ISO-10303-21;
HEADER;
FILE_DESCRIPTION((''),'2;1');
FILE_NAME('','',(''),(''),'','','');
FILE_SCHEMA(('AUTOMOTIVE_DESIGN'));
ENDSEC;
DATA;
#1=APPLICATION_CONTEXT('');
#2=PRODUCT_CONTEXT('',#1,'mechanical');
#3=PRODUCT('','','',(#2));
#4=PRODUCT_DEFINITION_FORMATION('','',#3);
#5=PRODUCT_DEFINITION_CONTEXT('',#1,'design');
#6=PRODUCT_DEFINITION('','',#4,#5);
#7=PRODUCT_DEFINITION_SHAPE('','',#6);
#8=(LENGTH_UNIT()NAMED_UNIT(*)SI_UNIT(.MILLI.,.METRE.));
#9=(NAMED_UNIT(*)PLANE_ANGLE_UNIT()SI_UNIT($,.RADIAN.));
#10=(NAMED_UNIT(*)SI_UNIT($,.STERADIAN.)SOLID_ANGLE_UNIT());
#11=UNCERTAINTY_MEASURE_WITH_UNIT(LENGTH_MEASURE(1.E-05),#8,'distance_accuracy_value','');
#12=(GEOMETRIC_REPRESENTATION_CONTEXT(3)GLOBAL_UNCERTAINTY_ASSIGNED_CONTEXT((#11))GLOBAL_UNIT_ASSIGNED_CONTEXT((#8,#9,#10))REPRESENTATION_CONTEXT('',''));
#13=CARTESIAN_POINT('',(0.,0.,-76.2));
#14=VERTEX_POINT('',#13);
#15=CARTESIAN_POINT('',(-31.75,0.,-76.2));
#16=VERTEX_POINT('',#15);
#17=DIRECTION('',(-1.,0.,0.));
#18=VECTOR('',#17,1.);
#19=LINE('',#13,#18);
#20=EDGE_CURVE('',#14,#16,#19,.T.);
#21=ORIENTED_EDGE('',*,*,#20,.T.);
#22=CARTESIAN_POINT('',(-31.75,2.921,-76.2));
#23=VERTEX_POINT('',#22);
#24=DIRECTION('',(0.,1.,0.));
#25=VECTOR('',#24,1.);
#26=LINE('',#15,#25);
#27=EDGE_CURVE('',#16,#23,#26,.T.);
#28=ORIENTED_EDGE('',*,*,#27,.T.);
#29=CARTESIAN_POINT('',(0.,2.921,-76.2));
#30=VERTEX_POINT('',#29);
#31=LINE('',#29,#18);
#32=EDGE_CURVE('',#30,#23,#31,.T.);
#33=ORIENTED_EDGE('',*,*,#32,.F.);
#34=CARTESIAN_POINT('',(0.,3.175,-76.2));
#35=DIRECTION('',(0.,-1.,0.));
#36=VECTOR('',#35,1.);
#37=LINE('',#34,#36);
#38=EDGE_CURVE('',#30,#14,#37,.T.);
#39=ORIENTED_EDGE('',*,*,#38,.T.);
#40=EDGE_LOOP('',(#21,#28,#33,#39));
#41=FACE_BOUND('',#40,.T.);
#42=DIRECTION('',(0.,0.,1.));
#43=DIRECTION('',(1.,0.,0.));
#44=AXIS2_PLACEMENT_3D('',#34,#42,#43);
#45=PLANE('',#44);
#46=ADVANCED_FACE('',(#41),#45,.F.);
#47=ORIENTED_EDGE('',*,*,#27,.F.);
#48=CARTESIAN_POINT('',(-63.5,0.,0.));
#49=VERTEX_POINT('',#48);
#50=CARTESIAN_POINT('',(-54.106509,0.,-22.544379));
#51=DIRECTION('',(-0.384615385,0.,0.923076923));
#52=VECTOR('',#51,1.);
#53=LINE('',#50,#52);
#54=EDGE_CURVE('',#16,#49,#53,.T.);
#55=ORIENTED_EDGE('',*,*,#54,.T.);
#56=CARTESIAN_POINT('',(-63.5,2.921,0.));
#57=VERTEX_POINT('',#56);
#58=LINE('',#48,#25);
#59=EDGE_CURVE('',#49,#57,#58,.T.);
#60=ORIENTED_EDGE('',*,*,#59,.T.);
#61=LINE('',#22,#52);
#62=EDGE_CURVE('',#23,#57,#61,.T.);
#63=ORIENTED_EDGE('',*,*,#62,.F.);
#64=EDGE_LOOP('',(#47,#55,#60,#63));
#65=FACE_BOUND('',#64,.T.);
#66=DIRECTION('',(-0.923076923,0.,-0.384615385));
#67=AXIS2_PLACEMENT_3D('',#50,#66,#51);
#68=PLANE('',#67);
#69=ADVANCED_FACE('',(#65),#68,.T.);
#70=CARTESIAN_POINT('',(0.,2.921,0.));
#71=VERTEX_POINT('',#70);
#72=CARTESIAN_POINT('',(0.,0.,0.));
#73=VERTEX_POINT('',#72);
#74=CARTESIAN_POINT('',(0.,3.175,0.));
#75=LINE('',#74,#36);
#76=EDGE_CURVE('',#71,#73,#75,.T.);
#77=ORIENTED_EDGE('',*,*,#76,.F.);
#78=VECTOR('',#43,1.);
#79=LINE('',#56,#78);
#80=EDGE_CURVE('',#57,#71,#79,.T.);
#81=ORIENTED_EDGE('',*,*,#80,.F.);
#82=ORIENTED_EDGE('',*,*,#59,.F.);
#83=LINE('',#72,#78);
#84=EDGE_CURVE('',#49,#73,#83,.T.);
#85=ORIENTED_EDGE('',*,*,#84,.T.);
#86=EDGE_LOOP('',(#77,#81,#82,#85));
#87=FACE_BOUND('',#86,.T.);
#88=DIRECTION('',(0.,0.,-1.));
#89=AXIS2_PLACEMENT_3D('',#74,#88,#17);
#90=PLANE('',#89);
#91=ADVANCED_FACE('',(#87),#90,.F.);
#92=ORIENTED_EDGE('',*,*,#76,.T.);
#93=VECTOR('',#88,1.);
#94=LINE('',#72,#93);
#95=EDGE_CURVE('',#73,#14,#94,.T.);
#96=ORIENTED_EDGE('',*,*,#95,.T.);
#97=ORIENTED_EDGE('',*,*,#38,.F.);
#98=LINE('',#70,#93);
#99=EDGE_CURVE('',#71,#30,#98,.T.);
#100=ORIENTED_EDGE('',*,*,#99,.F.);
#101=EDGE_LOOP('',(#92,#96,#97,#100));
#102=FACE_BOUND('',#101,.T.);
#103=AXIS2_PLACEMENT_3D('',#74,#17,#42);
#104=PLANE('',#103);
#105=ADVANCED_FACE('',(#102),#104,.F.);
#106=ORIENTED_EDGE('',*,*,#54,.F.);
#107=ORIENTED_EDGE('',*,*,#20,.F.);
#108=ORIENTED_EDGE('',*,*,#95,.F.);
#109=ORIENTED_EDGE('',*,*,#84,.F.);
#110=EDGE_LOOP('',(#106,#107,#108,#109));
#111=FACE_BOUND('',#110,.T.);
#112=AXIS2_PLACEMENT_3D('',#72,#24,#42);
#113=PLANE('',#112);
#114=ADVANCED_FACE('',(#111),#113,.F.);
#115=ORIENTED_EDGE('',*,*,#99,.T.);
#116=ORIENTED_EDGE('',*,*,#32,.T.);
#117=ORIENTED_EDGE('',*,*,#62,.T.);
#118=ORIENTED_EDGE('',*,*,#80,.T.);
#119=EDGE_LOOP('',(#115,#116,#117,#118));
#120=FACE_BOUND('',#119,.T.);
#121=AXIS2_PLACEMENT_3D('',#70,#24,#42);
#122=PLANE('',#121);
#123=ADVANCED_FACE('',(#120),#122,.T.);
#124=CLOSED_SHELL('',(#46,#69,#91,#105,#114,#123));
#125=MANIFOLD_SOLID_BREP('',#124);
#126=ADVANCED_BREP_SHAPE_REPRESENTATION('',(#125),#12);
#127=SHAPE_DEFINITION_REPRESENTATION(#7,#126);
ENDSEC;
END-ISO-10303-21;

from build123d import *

# Parameters (mm, degrees)
SKETCH1_W           = 304.8
SKETCH1_H           = 76.2
BOSS_EXTRUDE1_DEPTH = 3.175
CUT_EXTRUDE3_DEPTH  = 0.254
CUT_EXTRUDE5_DEPTH  = 0.254
SKETCH3_3_OUTSIDE_W = 369.64
SKETCH3_3_OUTSIDE_H = 141.04
CUT_EXTRUDE9_DEPTH  = 315.196691105


with BuildPart() as part:
    # Sketch1 → Boss-Extrude1 (new body)
    with BuildSketch(Plane(origin=(0, 0, 0), x_dir=(1, 0, 0), z_dir=(0, 1, 0))):
        with Locations((-152.4, 38.1)):
            Rectangle(SKETCH1_W, SKETCH1_H)
    extrude(amount=BOSS_EXTRUDE1_DEPTH)

    # Sketch2 → Cut-Extrude3 (cut)
    with BuildSketch(Plane(origin=(0, 3.175, 0), x_dir=(1, 0, 0), z_dir=(0, 1, 0))):
        with BuildLine():
            Line((-304.8, 5.132354223), (-304.8, 0.390438323))
            add(Edge.make_bspline(
                [(-304.8, 0.390438323), (-303.821243343, 0.22923291), (-302.632591032, 0.100235841), (-301.136713645, 0)],
                knots=[0.767987957, 0.767987957, 0.767987957, 0.767987957, 1, 1, 1, 1], degree=3))
            Line((-301.136713645, 0), (-217.379871236, 0))
            add(Edge.make_bspline(
                [(-215.9, 0.210253502), (-216.602591478, 0.075926224), (-217.379871236, 0)],
                knots=[0.882956558, 0.882956558, 0.882956558, 1, 1, 1], degree=2))
            Line((-215.9, 0.210253502), (-215.9, 6.35))
            add(Edge.make_bspline(
                [(-304.8, 5.132354223), (-295.056068779, 7.913424716), (-284.63514545, 9.175759011), (-256.65451685, 7.910717471), (-231.983718042, 8.039058457), (-215.9, 6.35)],
                knots=[0.033341876, 0.033341876, 0.033341876, 0.033341876, 0.196819423, 0.285044024, 0.915587883, 0.915587883, 0.915587883, 0.915587883], degree=3))
        make_face()
        with BuildLine():
            Line((-304.748193138, 14.319973849), (-304.748193138, 9.578057948))
            add(Edge.make_bspline(
                [(-304.748193138, 9.578057948), (-303.76943648, 9.416852535), (-302.58078417, 9.287855466), (-301.084906782, 9.187619625)],
                knots=[0.767987957, 0.767987957, 0.767987957, 0.767987957, 1, 1, 1, 1], degree=3))
            Line((-301.084906782, 9.187619625), (-217.328064374, 9.187619625))
            add(Edge.make_bspline(
                [(-215.848193138, 9.397873128), (-216.550784616, 9.263545849), (-217.328064374, 9.187619625)],
                knots=[0.882956558, 0.882956558, 0.882956558, 1, 1, 1], degree=2))
            Line((-215.848193138, 9.397873128), (-215.848193138, 15.537619625))
            add(Edge.make_bspline(
                [(-304.748193138, 14.319973849), (-295.004261916, 17.101044341), (-284.583338588, 18.363378636), (-256.602709988, 17.098337097), (-231.93191118, 17.226678082), (-215.848193138, 15.537619625)],
                knots=[0.033341876, 0.033341876, 0.033341876, 0.033341876, 0.196819423, 0.285044024, 0.915587883, 0.915587883, 0.915587883, 0.915587883], degree=3))
        make_face()
        with BuildLine():
            Line((-304.77561062, 23.435546339), (-304.77561062, 18.693630439))
            add(Edge.make_bspline(
                [(-304.77561062, 18.693630439), (-303.796853962, 18.532425025), (-302.608201652, 18.403427957), (-301.112324264, 18.303192116)],
                knots=[0.767987957, 0.767987957, 0.767987957, 0.767987957, 1, 1, 1, 1], degree=3))
            Line((-301.112324264, 18.303192116), (-217.355481855, 18.303192116))
            add(Edge.make_bspline(
                [(-215.87561062, 18.513445618), (-216.578202097, 18.37911834), (-217.355481855, 18.303192116)],
                knots=[0.882956558, 0.882956558, 0.882956558, 1, 1, 1], degree=2))
            Line((-215.87561062, 18.513445618), (-215.87561062, 24.653192116))
            add(Edge.make_bspline(
                [(-304.77561062, 23.435546339), (-295.031679398, 26.216616832), (-284.61075607, 27.478951126), (-256.63012747, 26.213909587), (-231.959328661, 26.342250572), (-215.87561062, 24.653192116)],
                knots=[0.033341876, 0.033341876, 0.033341876, 0.033341876, 0.196819423, 0.285044024, 0.915587883, 0.915587883, 0.915587883, 0.915587883], degree=3))
        make_face()
        with BuildLine():
            Line((-304.723803757, 32.623165964), (-304.723803757, 27.881250064))
            add(Edge.make_bspline(
                [(-304.723803757, 27.881250064), (-303.7450471, 27.720044651), (-302.55639479, 27.591047582), (-301.060517402, 27.490811741)],
                knots=[0.767987957, 0.767987957, 0.767987957, 0.767987957, 1, 1, 1, 1], degree=3))
            Line((-301.060517402, 27.490811741), (-217.303674993, 27.490811741))
            add(Edge.make_bspline(
                [(-215.823803757, 27.701065244), (-216.526395235, 27.566737965), (-217.303674993, 27.490811741)],
                knots=[0.882956558, 0.882956558, 0.882956558, 1, 1, 1], degree=2))
            Line((-215.823803757, 27.701065244), (-215.823803757, 33.840811741))
            add(Edge.make_bspline(
                [(-304.723803757, 32.623165964), (-294.979872536, 35.404236457), (-284.558949208, 36.666570752), (-256.578320608, 35.401529213), (-231.907521799, 35.529870198), (-215.823803757, 33.840811741)],
                knots=[0.033341876, 0.033341876, 0.033341876, 0.033341876, 0.196819423, 0.285044024, 0.915587883, 0.915587883, 0.915587883, 0.915587883], degree=3))
        make_face()
        with BuildLine():
            Line((-304.692120731, 41.752034592), (-304.692120731, 37.010118692))
            add(Edge.make_bspline(
                [(-304.692120731, 37.010118692), (-303.713364073, 36.848913278), (-302.524711763, 36.71991621), (-301.028834375, 36.619680369)],
                knots=[0.767987957, 0.767987957, 0.767987957, 0.767987957, 1, 1, 1, 1], degree=3))
            Line((-301.028834375, 36.619680369), (-217.271991966, 36.619680369))
            add(Edge.make_bspline(
                [(-215.792120731, 36.829933871), (-216.494712209, 36.695606593), (-217.271991966, 36.619680369)],
                knots=[0.882956558, 0.882956558, 0.882956558, 1, 1, 1], degree=2))
            Line((-215.792120731, 36.829933871), (-215.792120731, 42.969680369))
            add(Edge.make_bspline(
                [(-304.692120731, 41.752034592), (-294.948189509, 44.533105085), (-284.527266181, 45.795439379), (-256.546637581, 44.53039784), (-231.875838773, 44.658738825), (-215.792120731, 42.969680369)],
                knots=[0.033341876, 0.033341876, 0.033341876, 0.033341876, 0.196819423, 0.285044024, 0.915587883, 0.915587883, 0.915587883, 0.915587883], degree=3))
        make_face()
        with BuildLine():
            Line((-304.640313869, 50.939654217), (-304.640313869, 46.197738317))
            add(Edge.make_bspline(
                [(-304.640313869, 46.197738317), (-303.661557211, 46.036532904), (-302.472904901, 45.907535835), (-300.977027513, 45.807299994)],
                knots=[0.767987957, 0.767987957, 0.767987957, 0.767987957, 1, 1, 1, 1], degree=3))
            Line((-300.977027513, 45.807299994), (-217.220185104, 45.807299994))
            add(Edge.make_bspline(
                [(-215.740313869, 46.017553497), (-216.442905346, 45.883226218), (-217.220185104, 45.807299994)],
                knots=[0.882956558, 0.882956558, 0.882956558, 1, 1, 1], degree=2))
            Line((-215.740313869, 46.017553497), (-215.740313869, 52.157299994))
            add(Edge.make_bspline(
                [(-304.640313869, 50.939654217), (-294.896382647, 53.72072471), (-284.475459319, 54.983059005), (-256.494830719, 53.718017466), (-231.82403191, 53.846358451), (-215.740313869, 52.157299994)],
                knots=[0.033341876, 0.033341876, 0.033341876, 0.033341876, 0.196819423, 0.285044024, 0.915587883, 0.915587883, 0.915587883, 0.915587883], degree=3))
        make_face()
        with BuildLine():
            Line((-304.66773135, 60.055226708), (-304.66773135, 55.313310807))
            add(Edge.make_bspline(
                [(-304.66773135, 55.313310807), (-303.688974693, 55.152105394), (-302.500322383, 55.023108326), (-301.004444995, 54.922872485)],
                knots=[0.767987957, 0.767987957, 0.767987957, 0.767987957, 1, 1, 1, 1], degree=3))
            Line((-301.004444995, 54.922872485), (-217.247602586, 54.922872485))
            add(Edge.make_bspline(
                [(-215.76773135, 55.133125987), (-216.470322828, 54.998798708), (-217.247602586, 54.922872485)],
                knots=[0.882956558, 0.882956558, 0.882956558, 1, 1, 1], degree=2))
            Line((-215.76773135, 55.133125987), (-215.76773135, 61.272872485))
            add(Edge.make_bspline(
                [(-304.66773135, 60.055226708), (-294.923800129, 62.836297201), (-284.502876801, 64.098631495), (-256.522248201, 62.833589956), (-231.851449392, 62.961930941), (-215.76773135, 61.272872485)],
                knots=[0.033341876, 0.033341876, 0.033341876, 0.033341876, 0.196819423, 0.285044024, 0.915587883, 0.915587883, 0.915587883, 0.915587883], degree=3))
        make_face()
        with BuildLine():
            Line((-304.615924488, 69.242846333), (-304.615924488, 64.500930433))
            add(Edge.make_bspline(
                [(-304.615924488, 64.500930433), (-303.637167831, 64.33972502), (-302.448515521, 64.210727951), (-300.952638133, 64.11049211)],
                knots=[0.767987957, 0.767987957, 0.767987957, 0.767987957, 1, 1, 1, 1], degree=3))
            Line((-300.952638133, 64.11049211), (-217.195795724, 64.11049211))
            add(Edge.make_bspline(
                [(-215.715924488, 64.320745612), (-216.418515966, 64.186418334), (-217.195795724, 64.11049211)],
                knots=[0.882956558, 0.882956558, 0.882956558, 1, 1, 1], degree=2))
            Line((-215.715924488, 64.320745612), (-215.715924488, 70.46049211))
            add(Edge.make_bspline(
                [(-304.615924488, 69.242846333), (-294.871993267, 72.023916826), (-284.451069938, 73.286251121), (-256.470441339, 72.021209581), (-231.79964253, 72.149550567), (-215.715924488, 70.46049211)],
                knots=[0.033341876, 0.033341876, 0.033341876, 0.033341876, 0.196819423, 0.285044024, 0.915587883, 0.915587883, 0.915587883, 0.915587883], degree=3))
        make_face()
        with BuildLine():
            Line((-215.183865707, 5.315478387), (-215.183865707, 0.573562486))
            add(Edge.make_bspline(
                [(-215.183865707, 0.573562486), (-214.20510905, 0.412357073), (-213.01645674, 0.283360005), (-211.520579352, 0.183124164)],
                knots=[0.767987957, 0.767987957, 0.767987957, 0.767987957, 1, 1, 1, 1], degree=3))
            Line((-211.520579352, 0.183124164), (-127.763736943, 0.183124164))
            add(Edge.make_bspline(
                [(-126.283865707, 0.393377666), (-126.986457185, 0.259050387), (-127.763736943, 0.183124164)],
                knots=[0.882956558, 0.882956558, 0.882956558, 1, 1, 1], degree=2))
            Line((-126.283865707, 0.393377666), (-126.283865707, 6.533124164))
            add(Edge.make_bspline(
                [(-215.183865707, 5.315478387), (-205.439934486, 8.09654888), (-195.019011157, 9.358883174), (-167.038382558, 8.093841635), (-142.367583749, 8.22218262), (-126.283865707, 6.533124164)],
                knots=[0.033341876, 0.033341876, 0.033341876, 0.033341876, 0.196819423, 0.285044024, 0.915587883, 0.915587883, 0.915587883, 0.915587883], degree=3))
        make_face()
        with BuildLine():
            Line((-215.132058845, 14.503098012), (-215.132058845, 9.761182112))
            add(Edge.make_bspline(
                [(-215.132058845, 9.761182112), (-214.153302188, 9.599976698), (-212.964649877, 9.47097963), (-211.46877249, 9.370743789)],
                knots=[0.767987957, 0.767987957, 0.767987957, 0.767987957, 1, 1, 1, 1], degree=3))
            Line((-211.46877249, 9.370743789), (-127.711930081, 9.370743789))
            add(Edge.make_bspline(
                [(-126.232058845, 9.580997291), (-126.934650323, 9.446670013), (-127.711930081, 9.370743789)],
                knots=[0.882956558, 0.882956558, 0.882956558, 1, 1, 1], degree=2))
            Line((-126.232058845, 9.580997291), (-126.232058845, 15.720743789))
            add(Edge.make_bspline(
                [(-215.132058845, 14.503098012), (-205.388127624, 17.284168505), (-194.967204295, 18.546502799), (-166.986575695, 17.28146126), (-142.315776887, 17.409802246), (-126.232058845, 15.720743789)],
                knots=[0.033341876, 0.033341876, 0.033341876, 0.033341876, 0.196819423, 0.285044024, 0.915587883, 0.915587883, 0.915587883, 0.915587883], degree=3))
        make_face()
        with BuildLine():
            Line((-215.159476327, 23.618670503), (-215.159476327, 18.876754602))
            add(Edge.make_bspline(
                [(-215.159476327, 18.876754602), (-214.180719669, 18.715549189), (-212.992067359, 18.58655212), (-211.496189971, 18.486316279)],
                knots=[0.767987957, 0.767987957, 0.767987957, 0.767987957, 1, 1, 1, 1], degree=3))
            Line((-211.496189971, 18.486316279), (-127.739347562, 18.486316279))
            add(Edge.make_bspline(
                [(-126.259476327, 18.696569782), (-126.962067804, 18.562242503), (-127.739347562, 18.486316279)],
                knots=[0.882956558, 0.882956558, 0.882956558, 1, 1, 1], degree=2))
            Line((-126.259476327, 18.696569782), (-126.259476327, 24.836316279))
            add(Edge.make_bspline(
                [(-215.159476327, 23.618670503), (-205.415545105, 26.399740996), (-194.994621777, 27.66207529), (-167.013993177, 26.397033751), (-142.343194369, 26.525374736), (-126.259476327, 24.836316279)],
                knots=[0.033341876, 0.033341876, 0.033341876, 0.033341876, 0.196819423, 0.285044024, 0.915587883, 0.915587883, 0.915587883, 0.915587883], degree=3))
        make_face()
        with BuildLine():
            Line((-215.107669465, 32.806290128), (-215.107669465, 28.064374228))
            add(Edge.make_bspline(
                [(-215.107669465, 28.064374228), (-214.128912807, 27.903168814), (-212.940260497, 27.774171746), (-211.444383109, 27.673935905)],
                knots=[0.767987957, 0.767987957, 0.767987957, 0.767987957, 1, 1, 1, 1], degree=3))
            Line((-211.444383109, 27.673935905), (-127.6875407, 27.673935905))
            add(Edge.make_bspline(
                [(-126.207669465, 27.884189407), (-126.910260942, 27.749862129), (-127.6875407, 27.673935905)],
                knots=[0.882956558, 0.882956558, 0.882956558, 1, 1, 1], degree=2))
            Line((-126.207669465, 27.884189407), (-126.207669465, 34.023935905))
            add(Edge.make_bspline(
                [(-215.107669465, 32.806290128), (-205.363738243, 35.587360621), (-194.942814915, 36.849694915), (-166.962186315, 35.584653376), (-142.291387506, 35.712994361), (-126.207669465, 34.023935905)],
                knots=[0.033341876, 0.033341876, 0.033341876, 0.033341876, 0.196819423, 0.285044024, 0.915587883, 0.915587883, 0.915587883, 0.915587883], degree=3))
        make_face()
    extrude(amount=-CUT_EXTRUDE3_DEPTH, mode=Mode.SUBTRACT)

    # Sketch3 → Cut-Extrude5 (cut)
    with BuildSketch(Plane(origin=(0, 3.175, 0), x_dir=(1, 0, 0), z_dir=(0, 1, 0))):
        with BuildLine():
            Line((-124.773731724, 0), (-73.973731724, 0))
            Line((-73.973731724, 0), (-73.973731724, 5.715))
            add(Edge.make_bspline(
                [(-124.773731724, 5.588), (-99.390849234, 12.627627449), (-73.973731724, 5.715)],
                knots=[0, 0, 0, 1, 1, 1], degree=2))
            Line((-124.773731724, 5.588), (-124.773731724, 0))
        make_face()
        with BuildLine():
            Line((-124.666073477, 9.555243731), (-73.866073477, 9.555243731))
            Line((-73.866073477, 9.555243731), (-73.866073477, 15.270243731))
            add(Edge.make_bspline(
                [(-124.666073477, 15.143243731), (-99.282006864, 21.683704535), (-73.866073477, 15.270243731)],
                knots=[0, 0, 0, 1, 1, 1], degree=2))
            Line((-124.666073477, 15.143243731), (-124.666073477, 9.555243731))
        make_face()
        with BuildLine():
            Line((-124.604715686, 19.129476511), (-73.804715686, 19.129476511))
            Line((-73.804715686, 19.129476511), (-73.804715686, 24.844476511))
            add(Edge.make_bspline(
                [(-124.604715686, 24.717476511), (-99.220649073, 31.257937315), (-73.804715686, 24.844476511)],
                knots=[0, 0, 0, 1, 1, 1], degree=2))
            Line((-124.604715686, 24.717476511), (-124.604715686, 19.129476511))
        make_face()
        with BuildLine():
            Line((-124.495240807, 28.763265862), (-73.695240807, 28.763265862))
            Line((-73.695240807, 28.763265862), (-73.695240807, 34.478265862))
            add(Edge.make_bspline(
                [(-124.495240807, 34.351265862), (-99.111174194, 40.891726665), (-73.695240807, 34.478265862)],
                knots=[0, 0, 0, 1, 1, 1], degree=2))
            Line((-124.495240807, 34.351265862), (-124.495240807, 28.763265862))
        make_face()
        with BuildLine():
            Line((-124.385765928, 38.397055212), (-73.585765928, 38.397055212))
            Line((-73.585765928, 38.397055212), (-73.585765928, 44.112055212))
            add(Edge.make_bspline(
                [(-124.385765928, 43.985055212), (-99.001699315, 50.525516016), (-73.585765928, 44.112055212)],
                knots=[0, 0, 0, 1, 1, 1], degree=2))
            Line((-124.385765928, 43.985055212), (-124.385765928, 38.397055212))
        make_face()
        with BuildLine():
            Line((-124.166816171, 49.235068231), (-73.366816171, 49.235068231))
            Line((-73.366816171, 49.235068231), (-73.366816171, 54.950068231))
            add(Edge.make_bspline(
                [(-124.166816171, 54.823068231), (-98.782749557, 61.363529035), (-73.366816171, 54.950068231)],
                knots=[0, 0, 0, 1, 1, 1], degree=2))
            Line((-124.166816171, 54.823068231), (-124.166816171, 49.235068231))
        make_face()
        with BuildLine():
            Line((-124.138868232, 59.013713621), (-73.338868232, 59.013713621))
            Line((-73.338868232, 59.013713621), (-73.338868232, 64.728713621))
            add(Edge.make_bspline(
                [(-124.138868232, 64.601713621), (-98.754801619, 71.142174425), (-73.338868232, 64.728713621)],
                knots=[0, 0, 0, 1, 1, 1], degree=2))
            Line((-124.138868232, 64.601713621), (-124.138868232, 59.013713621))
        make_face()
        with BuildLine():
            Line((-213.669393762, 38.449060159), (-162.869393762, 38.449060159))
            Line((-162.869393762, 38.449060159), (-162.869393762, 44.164060159))
            add(Edge.make_bspline(
                [(-213.669393762, 44.037060159), (-188.285327148, 50.577520962), (-162.869393762, 44.164060159)],
                knots=[0, 0, 0, 1, 1, 1], degree=2))
            Line((-213.669393762, 44.037060159), (-213.669393762, 38.449060159))
        make_face()
        with BuildLine():
            Line((-213.513008565, 49.239638781), (-162.713008565, 49.239638781))
            Line((-162.713008565, 49.239638781), (-162.713008565, 54.954638781))
            add(Edge.make_bspline(
                [(-213.513008565, 54.827638781), (-188.128941951, 61.368099585), (-162.713008565, 54.954638781)],
                knots=[0, 0, 0, 1, 1, 1], degree=2))
            Line((-213.513008565, 54.827638781), (-213.513008565, 49.239638781))
        make_face()
        with BuildLine():
            Line((-213.20023817, 60.030217404), (-162.40023817, 60.030217404))
            Line((-162.40023817, 60.030217404), (-162.40023817, 65.745217404))
            add(Edge.make_bspline(
                [(-213.20023817, 65.618217404), (-187.816171556, 72.158678208), (-162.40023817, 65.745217404)],
                knots=[0, 0, 0, 1, 1, 1], degree=2))
            Line((-213.20023817, 65.618217404), (-213.20023817, 60.030217404))
        make_face()
        Polygon((0, 76.2), (-31.75, 76.2), (-63.5, 0), (0, 0), align=None)
    extrude(amount=-CUT_EXTRUDE5_DEPTH, mode=Mode.SUBTRACT)

    # Sketch3<3> outside → Cut-Extrude9 (cut, through all)
    with BuildSketch(Plane(origin=(0, 3.175, 0), x_dir=(1, 0, 0), z_dir=(0, 1, 0))):
        with Locations((-152.4, 38.1)):
            Rectangle(SKETCH3_3_OUTSIDE_W, SKETCH3_3_OUTSIDE_H)
        Polygon((0, 0), (0, 76.2), (-31.75, 76.2), (-63.5, 0), align=None, mode=Mode.SUBTRACT)
    extrude(amount=-CUT_EXTRUDE9_DEPTH, mode=Mode.SUBTRACT)


solid = part.part
